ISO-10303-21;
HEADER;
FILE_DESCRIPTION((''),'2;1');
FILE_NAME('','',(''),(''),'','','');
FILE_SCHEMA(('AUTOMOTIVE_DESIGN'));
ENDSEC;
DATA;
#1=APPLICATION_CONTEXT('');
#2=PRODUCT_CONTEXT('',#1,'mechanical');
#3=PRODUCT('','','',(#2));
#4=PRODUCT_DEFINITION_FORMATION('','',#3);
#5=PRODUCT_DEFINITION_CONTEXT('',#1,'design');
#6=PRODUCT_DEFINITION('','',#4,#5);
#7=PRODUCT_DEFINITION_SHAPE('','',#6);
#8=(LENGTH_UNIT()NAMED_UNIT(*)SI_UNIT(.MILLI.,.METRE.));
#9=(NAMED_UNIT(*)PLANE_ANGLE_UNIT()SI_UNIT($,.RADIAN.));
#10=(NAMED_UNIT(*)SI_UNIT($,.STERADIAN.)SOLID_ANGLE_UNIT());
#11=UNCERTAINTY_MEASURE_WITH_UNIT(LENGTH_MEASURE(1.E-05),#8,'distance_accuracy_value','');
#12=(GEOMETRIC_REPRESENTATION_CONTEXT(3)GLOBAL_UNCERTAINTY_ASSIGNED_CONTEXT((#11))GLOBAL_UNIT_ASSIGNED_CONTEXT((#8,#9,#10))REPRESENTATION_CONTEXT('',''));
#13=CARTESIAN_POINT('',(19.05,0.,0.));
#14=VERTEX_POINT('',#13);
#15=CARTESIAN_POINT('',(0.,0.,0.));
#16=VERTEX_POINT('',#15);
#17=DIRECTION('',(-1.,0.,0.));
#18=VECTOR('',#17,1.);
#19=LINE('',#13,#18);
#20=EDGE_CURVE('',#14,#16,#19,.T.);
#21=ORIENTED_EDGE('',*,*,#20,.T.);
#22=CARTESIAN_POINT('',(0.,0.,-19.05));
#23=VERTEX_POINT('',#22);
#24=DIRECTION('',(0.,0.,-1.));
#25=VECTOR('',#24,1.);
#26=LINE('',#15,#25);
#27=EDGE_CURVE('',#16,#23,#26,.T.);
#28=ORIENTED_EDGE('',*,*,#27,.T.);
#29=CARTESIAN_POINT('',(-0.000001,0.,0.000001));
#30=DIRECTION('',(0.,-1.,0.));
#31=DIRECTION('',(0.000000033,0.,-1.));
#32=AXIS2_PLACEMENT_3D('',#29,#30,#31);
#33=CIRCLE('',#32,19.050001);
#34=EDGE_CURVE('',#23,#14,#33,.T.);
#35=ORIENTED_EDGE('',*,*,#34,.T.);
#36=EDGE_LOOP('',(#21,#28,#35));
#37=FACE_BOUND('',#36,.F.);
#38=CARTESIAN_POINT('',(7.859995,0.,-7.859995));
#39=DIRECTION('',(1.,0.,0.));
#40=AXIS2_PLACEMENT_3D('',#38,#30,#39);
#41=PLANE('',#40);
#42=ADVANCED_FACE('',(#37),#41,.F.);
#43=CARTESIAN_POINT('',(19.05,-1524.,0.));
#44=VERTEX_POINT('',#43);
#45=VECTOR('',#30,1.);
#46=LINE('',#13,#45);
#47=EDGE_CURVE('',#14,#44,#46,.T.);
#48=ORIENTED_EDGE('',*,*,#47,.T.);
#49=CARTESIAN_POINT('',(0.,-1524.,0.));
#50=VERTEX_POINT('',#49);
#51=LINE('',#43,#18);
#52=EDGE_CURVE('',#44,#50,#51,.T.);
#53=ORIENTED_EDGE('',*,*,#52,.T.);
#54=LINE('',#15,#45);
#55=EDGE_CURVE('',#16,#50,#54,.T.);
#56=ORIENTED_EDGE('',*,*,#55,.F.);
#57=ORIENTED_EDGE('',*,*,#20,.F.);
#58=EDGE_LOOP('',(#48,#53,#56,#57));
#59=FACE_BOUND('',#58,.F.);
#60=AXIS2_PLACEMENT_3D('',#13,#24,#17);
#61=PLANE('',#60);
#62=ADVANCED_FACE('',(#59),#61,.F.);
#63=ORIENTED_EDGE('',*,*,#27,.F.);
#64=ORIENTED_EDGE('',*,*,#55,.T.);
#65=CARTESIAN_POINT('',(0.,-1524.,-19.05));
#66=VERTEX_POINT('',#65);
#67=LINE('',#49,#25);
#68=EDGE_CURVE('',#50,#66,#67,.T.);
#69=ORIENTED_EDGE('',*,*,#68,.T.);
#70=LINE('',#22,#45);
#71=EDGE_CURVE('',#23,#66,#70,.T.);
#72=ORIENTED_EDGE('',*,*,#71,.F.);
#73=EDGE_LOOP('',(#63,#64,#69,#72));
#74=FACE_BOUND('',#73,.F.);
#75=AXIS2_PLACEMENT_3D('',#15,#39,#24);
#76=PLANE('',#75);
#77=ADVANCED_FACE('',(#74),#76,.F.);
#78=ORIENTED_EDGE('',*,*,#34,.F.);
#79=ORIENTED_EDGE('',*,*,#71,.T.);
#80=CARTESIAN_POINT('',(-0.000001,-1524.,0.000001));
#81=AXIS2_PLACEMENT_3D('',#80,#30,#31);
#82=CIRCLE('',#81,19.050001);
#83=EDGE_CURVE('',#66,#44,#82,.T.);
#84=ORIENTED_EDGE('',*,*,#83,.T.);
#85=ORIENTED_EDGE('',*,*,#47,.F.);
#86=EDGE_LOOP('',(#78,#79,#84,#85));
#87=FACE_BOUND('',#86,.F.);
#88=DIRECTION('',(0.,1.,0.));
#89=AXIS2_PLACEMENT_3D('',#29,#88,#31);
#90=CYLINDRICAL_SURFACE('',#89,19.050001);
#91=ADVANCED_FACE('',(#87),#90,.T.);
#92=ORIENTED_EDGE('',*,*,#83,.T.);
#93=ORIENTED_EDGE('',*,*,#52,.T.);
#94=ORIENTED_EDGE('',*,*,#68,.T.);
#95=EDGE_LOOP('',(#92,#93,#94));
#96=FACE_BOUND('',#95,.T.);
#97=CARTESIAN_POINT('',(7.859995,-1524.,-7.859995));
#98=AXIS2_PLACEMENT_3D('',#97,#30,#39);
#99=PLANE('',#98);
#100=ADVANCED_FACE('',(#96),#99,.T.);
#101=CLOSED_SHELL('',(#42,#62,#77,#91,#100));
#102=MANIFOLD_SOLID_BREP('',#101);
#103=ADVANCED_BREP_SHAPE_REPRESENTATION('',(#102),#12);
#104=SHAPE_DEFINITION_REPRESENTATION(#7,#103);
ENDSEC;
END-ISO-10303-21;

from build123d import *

# Parameters (mm, degrees)
F1_DEPTH = 1524


with BuildPart() as f1:
    # F0 (on Front) → F1 (new body)
    with BuildSketch(Plane.XZ):
        with BuildLine():
            Line((19.05, 0), (0, 0))
            Line((0, 0), (0, -19.05))
            ThreePointArc((0, -19.05), (13.470384, -13.470384), (19.05, 0))
        make_face()
    extrude(amount=F1_DEPTH)


solid = f1.part
